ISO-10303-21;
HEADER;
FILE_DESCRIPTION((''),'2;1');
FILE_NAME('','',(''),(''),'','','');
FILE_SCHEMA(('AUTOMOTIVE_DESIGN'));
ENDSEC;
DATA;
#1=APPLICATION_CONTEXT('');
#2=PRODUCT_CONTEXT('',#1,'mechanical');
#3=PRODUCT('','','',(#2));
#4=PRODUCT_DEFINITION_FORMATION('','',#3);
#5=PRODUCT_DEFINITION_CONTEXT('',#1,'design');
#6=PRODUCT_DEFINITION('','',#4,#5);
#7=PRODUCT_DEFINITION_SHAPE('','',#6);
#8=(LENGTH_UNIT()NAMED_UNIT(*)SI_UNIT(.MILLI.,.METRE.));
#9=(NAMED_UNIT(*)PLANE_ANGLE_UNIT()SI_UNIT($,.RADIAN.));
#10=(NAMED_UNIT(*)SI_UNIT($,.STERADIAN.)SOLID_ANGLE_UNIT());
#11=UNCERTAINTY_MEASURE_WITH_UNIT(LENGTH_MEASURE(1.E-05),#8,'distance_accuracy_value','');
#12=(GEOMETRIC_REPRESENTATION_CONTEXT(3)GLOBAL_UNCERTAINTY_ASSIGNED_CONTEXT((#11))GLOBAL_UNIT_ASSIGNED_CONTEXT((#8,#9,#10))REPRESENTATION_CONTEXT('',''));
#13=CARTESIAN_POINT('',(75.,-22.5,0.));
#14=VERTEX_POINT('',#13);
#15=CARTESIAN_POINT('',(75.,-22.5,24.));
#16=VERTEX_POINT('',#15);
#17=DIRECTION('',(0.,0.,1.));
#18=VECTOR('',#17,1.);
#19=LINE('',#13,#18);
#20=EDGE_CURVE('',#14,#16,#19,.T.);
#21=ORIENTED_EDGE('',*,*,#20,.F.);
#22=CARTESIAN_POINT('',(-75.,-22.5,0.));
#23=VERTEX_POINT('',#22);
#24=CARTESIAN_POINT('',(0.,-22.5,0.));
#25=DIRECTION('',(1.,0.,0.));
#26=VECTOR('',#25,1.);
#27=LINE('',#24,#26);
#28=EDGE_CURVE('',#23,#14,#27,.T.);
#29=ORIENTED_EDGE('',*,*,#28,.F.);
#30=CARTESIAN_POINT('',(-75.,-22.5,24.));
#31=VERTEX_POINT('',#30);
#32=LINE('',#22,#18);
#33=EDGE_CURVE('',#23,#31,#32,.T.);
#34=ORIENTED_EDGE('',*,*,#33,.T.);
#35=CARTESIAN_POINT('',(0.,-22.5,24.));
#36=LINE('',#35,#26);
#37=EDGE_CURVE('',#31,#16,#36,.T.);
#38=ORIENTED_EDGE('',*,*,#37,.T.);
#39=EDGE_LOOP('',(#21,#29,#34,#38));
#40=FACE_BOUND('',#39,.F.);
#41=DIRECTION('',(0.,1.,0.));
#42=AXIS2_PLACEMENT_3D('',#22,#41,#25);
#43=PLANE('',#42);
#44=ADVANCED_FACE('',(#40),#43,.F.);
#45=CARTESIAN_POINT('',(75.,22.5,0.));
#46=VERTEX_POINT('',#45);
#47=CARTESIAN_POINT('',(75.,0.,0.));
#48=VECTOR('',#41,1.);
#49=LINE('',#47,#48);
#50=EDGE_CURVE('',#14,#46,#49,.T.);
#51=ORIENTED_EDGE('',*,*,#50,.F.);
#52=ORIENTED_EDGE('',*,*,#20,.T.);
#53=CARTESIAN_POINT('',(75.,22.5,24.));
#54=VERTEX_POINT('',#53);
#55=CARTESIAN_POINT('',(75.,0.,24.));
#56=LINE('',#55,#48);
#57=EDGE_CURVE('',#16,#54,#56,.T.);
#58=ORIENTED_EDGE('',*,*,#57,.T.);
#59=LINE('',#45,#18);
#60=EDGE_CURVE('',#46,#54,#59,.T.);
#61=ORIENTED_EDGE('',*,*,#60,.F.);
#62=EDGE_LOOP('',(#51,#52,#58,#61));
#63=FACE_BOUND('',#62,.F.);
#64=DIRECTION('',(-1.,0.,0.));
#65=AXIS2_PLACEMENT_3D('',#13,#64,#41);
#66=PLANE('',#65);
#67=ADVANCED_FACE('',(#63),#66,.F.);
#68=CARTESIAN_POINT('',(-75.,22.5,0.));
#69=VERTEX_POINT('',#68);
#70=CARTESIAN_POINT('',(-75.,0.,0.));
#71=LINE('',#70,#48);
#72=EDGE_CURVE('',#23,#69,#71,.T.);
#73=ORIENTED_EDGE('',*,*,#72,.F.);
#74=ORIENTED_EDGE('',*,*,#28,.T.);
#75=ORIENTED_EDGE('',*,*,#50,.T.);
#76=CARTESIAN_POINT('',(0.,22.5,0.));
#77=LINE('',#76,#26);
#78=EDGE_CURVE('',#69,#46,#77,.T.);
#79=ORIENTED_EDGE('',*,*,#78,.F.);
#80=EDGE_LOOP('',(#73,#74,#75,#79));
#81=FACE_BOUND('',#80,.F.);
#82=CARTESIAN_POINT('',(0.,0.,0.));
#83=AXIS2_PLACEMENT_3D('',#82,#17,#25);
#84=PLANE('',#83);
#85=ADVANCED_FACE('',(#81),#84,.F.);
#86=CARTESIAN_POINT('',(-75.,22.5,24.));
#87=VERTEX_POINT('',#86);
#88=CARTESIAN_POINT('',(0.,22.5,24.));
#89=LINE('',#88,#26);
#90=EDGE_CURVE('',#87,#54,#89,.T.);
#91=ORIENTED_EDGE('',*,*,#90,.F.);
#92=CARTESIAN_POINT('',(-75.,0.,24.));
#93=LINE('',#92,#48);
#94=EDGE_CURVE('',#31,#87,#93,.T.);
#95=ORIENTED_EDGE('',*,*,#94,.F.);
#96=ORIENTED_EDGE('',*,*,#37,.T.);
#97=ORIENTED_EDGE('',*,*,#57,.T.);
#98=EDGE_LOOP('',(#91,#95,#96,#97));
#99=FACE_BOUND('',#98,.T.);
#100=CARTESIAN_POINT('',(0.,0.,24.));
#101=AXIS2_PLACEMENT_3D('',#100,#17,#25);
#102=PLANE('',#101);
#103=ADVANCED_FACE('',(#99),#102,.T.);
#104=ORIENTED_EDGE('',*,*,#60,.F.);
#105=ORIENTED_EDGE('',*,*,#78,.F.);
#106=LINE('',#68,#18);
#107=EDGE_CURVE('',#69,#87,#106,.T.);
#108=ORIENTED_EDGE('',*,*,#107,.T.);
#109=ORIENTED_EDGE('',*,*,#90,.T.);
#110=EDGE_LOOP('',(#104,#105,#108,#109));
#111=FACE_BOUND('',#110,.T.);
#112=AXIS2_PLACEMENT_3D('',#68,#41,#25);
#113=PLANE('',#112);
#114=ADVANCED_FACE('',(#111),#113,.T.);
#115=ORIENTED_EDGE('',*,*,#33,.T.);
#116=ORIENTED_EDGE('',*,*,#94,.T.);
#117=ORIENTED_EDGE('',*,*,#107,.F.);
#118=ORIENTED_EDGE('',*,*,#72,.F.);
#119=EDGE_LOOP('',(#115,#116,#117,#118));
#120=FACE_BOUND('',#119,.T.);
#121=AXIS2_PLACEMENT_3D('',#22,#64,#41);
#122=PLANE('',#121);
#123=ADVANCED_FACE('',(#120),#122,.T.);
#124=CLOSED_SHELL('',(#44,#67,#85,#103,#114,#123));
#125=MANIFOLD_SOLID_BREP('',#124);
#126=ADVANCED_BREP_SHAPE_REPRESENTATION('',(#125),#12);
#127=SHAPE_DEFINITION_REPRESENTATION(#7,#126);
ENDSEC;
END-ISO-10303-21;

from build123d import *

# Parameters (mm, degrees)
SKETCH_W  = 150
SKETCH_H  = 45
PAD_DEPTH = 24


with BuildPart() as part:
    # Sketch → Pad (new body)
    with BuildSketch(Plane.XY):
        Rectangle(SKETCH_W, SKETCH_H)
    extrude(amount=PAD_DEPTH)


solid = part.part
